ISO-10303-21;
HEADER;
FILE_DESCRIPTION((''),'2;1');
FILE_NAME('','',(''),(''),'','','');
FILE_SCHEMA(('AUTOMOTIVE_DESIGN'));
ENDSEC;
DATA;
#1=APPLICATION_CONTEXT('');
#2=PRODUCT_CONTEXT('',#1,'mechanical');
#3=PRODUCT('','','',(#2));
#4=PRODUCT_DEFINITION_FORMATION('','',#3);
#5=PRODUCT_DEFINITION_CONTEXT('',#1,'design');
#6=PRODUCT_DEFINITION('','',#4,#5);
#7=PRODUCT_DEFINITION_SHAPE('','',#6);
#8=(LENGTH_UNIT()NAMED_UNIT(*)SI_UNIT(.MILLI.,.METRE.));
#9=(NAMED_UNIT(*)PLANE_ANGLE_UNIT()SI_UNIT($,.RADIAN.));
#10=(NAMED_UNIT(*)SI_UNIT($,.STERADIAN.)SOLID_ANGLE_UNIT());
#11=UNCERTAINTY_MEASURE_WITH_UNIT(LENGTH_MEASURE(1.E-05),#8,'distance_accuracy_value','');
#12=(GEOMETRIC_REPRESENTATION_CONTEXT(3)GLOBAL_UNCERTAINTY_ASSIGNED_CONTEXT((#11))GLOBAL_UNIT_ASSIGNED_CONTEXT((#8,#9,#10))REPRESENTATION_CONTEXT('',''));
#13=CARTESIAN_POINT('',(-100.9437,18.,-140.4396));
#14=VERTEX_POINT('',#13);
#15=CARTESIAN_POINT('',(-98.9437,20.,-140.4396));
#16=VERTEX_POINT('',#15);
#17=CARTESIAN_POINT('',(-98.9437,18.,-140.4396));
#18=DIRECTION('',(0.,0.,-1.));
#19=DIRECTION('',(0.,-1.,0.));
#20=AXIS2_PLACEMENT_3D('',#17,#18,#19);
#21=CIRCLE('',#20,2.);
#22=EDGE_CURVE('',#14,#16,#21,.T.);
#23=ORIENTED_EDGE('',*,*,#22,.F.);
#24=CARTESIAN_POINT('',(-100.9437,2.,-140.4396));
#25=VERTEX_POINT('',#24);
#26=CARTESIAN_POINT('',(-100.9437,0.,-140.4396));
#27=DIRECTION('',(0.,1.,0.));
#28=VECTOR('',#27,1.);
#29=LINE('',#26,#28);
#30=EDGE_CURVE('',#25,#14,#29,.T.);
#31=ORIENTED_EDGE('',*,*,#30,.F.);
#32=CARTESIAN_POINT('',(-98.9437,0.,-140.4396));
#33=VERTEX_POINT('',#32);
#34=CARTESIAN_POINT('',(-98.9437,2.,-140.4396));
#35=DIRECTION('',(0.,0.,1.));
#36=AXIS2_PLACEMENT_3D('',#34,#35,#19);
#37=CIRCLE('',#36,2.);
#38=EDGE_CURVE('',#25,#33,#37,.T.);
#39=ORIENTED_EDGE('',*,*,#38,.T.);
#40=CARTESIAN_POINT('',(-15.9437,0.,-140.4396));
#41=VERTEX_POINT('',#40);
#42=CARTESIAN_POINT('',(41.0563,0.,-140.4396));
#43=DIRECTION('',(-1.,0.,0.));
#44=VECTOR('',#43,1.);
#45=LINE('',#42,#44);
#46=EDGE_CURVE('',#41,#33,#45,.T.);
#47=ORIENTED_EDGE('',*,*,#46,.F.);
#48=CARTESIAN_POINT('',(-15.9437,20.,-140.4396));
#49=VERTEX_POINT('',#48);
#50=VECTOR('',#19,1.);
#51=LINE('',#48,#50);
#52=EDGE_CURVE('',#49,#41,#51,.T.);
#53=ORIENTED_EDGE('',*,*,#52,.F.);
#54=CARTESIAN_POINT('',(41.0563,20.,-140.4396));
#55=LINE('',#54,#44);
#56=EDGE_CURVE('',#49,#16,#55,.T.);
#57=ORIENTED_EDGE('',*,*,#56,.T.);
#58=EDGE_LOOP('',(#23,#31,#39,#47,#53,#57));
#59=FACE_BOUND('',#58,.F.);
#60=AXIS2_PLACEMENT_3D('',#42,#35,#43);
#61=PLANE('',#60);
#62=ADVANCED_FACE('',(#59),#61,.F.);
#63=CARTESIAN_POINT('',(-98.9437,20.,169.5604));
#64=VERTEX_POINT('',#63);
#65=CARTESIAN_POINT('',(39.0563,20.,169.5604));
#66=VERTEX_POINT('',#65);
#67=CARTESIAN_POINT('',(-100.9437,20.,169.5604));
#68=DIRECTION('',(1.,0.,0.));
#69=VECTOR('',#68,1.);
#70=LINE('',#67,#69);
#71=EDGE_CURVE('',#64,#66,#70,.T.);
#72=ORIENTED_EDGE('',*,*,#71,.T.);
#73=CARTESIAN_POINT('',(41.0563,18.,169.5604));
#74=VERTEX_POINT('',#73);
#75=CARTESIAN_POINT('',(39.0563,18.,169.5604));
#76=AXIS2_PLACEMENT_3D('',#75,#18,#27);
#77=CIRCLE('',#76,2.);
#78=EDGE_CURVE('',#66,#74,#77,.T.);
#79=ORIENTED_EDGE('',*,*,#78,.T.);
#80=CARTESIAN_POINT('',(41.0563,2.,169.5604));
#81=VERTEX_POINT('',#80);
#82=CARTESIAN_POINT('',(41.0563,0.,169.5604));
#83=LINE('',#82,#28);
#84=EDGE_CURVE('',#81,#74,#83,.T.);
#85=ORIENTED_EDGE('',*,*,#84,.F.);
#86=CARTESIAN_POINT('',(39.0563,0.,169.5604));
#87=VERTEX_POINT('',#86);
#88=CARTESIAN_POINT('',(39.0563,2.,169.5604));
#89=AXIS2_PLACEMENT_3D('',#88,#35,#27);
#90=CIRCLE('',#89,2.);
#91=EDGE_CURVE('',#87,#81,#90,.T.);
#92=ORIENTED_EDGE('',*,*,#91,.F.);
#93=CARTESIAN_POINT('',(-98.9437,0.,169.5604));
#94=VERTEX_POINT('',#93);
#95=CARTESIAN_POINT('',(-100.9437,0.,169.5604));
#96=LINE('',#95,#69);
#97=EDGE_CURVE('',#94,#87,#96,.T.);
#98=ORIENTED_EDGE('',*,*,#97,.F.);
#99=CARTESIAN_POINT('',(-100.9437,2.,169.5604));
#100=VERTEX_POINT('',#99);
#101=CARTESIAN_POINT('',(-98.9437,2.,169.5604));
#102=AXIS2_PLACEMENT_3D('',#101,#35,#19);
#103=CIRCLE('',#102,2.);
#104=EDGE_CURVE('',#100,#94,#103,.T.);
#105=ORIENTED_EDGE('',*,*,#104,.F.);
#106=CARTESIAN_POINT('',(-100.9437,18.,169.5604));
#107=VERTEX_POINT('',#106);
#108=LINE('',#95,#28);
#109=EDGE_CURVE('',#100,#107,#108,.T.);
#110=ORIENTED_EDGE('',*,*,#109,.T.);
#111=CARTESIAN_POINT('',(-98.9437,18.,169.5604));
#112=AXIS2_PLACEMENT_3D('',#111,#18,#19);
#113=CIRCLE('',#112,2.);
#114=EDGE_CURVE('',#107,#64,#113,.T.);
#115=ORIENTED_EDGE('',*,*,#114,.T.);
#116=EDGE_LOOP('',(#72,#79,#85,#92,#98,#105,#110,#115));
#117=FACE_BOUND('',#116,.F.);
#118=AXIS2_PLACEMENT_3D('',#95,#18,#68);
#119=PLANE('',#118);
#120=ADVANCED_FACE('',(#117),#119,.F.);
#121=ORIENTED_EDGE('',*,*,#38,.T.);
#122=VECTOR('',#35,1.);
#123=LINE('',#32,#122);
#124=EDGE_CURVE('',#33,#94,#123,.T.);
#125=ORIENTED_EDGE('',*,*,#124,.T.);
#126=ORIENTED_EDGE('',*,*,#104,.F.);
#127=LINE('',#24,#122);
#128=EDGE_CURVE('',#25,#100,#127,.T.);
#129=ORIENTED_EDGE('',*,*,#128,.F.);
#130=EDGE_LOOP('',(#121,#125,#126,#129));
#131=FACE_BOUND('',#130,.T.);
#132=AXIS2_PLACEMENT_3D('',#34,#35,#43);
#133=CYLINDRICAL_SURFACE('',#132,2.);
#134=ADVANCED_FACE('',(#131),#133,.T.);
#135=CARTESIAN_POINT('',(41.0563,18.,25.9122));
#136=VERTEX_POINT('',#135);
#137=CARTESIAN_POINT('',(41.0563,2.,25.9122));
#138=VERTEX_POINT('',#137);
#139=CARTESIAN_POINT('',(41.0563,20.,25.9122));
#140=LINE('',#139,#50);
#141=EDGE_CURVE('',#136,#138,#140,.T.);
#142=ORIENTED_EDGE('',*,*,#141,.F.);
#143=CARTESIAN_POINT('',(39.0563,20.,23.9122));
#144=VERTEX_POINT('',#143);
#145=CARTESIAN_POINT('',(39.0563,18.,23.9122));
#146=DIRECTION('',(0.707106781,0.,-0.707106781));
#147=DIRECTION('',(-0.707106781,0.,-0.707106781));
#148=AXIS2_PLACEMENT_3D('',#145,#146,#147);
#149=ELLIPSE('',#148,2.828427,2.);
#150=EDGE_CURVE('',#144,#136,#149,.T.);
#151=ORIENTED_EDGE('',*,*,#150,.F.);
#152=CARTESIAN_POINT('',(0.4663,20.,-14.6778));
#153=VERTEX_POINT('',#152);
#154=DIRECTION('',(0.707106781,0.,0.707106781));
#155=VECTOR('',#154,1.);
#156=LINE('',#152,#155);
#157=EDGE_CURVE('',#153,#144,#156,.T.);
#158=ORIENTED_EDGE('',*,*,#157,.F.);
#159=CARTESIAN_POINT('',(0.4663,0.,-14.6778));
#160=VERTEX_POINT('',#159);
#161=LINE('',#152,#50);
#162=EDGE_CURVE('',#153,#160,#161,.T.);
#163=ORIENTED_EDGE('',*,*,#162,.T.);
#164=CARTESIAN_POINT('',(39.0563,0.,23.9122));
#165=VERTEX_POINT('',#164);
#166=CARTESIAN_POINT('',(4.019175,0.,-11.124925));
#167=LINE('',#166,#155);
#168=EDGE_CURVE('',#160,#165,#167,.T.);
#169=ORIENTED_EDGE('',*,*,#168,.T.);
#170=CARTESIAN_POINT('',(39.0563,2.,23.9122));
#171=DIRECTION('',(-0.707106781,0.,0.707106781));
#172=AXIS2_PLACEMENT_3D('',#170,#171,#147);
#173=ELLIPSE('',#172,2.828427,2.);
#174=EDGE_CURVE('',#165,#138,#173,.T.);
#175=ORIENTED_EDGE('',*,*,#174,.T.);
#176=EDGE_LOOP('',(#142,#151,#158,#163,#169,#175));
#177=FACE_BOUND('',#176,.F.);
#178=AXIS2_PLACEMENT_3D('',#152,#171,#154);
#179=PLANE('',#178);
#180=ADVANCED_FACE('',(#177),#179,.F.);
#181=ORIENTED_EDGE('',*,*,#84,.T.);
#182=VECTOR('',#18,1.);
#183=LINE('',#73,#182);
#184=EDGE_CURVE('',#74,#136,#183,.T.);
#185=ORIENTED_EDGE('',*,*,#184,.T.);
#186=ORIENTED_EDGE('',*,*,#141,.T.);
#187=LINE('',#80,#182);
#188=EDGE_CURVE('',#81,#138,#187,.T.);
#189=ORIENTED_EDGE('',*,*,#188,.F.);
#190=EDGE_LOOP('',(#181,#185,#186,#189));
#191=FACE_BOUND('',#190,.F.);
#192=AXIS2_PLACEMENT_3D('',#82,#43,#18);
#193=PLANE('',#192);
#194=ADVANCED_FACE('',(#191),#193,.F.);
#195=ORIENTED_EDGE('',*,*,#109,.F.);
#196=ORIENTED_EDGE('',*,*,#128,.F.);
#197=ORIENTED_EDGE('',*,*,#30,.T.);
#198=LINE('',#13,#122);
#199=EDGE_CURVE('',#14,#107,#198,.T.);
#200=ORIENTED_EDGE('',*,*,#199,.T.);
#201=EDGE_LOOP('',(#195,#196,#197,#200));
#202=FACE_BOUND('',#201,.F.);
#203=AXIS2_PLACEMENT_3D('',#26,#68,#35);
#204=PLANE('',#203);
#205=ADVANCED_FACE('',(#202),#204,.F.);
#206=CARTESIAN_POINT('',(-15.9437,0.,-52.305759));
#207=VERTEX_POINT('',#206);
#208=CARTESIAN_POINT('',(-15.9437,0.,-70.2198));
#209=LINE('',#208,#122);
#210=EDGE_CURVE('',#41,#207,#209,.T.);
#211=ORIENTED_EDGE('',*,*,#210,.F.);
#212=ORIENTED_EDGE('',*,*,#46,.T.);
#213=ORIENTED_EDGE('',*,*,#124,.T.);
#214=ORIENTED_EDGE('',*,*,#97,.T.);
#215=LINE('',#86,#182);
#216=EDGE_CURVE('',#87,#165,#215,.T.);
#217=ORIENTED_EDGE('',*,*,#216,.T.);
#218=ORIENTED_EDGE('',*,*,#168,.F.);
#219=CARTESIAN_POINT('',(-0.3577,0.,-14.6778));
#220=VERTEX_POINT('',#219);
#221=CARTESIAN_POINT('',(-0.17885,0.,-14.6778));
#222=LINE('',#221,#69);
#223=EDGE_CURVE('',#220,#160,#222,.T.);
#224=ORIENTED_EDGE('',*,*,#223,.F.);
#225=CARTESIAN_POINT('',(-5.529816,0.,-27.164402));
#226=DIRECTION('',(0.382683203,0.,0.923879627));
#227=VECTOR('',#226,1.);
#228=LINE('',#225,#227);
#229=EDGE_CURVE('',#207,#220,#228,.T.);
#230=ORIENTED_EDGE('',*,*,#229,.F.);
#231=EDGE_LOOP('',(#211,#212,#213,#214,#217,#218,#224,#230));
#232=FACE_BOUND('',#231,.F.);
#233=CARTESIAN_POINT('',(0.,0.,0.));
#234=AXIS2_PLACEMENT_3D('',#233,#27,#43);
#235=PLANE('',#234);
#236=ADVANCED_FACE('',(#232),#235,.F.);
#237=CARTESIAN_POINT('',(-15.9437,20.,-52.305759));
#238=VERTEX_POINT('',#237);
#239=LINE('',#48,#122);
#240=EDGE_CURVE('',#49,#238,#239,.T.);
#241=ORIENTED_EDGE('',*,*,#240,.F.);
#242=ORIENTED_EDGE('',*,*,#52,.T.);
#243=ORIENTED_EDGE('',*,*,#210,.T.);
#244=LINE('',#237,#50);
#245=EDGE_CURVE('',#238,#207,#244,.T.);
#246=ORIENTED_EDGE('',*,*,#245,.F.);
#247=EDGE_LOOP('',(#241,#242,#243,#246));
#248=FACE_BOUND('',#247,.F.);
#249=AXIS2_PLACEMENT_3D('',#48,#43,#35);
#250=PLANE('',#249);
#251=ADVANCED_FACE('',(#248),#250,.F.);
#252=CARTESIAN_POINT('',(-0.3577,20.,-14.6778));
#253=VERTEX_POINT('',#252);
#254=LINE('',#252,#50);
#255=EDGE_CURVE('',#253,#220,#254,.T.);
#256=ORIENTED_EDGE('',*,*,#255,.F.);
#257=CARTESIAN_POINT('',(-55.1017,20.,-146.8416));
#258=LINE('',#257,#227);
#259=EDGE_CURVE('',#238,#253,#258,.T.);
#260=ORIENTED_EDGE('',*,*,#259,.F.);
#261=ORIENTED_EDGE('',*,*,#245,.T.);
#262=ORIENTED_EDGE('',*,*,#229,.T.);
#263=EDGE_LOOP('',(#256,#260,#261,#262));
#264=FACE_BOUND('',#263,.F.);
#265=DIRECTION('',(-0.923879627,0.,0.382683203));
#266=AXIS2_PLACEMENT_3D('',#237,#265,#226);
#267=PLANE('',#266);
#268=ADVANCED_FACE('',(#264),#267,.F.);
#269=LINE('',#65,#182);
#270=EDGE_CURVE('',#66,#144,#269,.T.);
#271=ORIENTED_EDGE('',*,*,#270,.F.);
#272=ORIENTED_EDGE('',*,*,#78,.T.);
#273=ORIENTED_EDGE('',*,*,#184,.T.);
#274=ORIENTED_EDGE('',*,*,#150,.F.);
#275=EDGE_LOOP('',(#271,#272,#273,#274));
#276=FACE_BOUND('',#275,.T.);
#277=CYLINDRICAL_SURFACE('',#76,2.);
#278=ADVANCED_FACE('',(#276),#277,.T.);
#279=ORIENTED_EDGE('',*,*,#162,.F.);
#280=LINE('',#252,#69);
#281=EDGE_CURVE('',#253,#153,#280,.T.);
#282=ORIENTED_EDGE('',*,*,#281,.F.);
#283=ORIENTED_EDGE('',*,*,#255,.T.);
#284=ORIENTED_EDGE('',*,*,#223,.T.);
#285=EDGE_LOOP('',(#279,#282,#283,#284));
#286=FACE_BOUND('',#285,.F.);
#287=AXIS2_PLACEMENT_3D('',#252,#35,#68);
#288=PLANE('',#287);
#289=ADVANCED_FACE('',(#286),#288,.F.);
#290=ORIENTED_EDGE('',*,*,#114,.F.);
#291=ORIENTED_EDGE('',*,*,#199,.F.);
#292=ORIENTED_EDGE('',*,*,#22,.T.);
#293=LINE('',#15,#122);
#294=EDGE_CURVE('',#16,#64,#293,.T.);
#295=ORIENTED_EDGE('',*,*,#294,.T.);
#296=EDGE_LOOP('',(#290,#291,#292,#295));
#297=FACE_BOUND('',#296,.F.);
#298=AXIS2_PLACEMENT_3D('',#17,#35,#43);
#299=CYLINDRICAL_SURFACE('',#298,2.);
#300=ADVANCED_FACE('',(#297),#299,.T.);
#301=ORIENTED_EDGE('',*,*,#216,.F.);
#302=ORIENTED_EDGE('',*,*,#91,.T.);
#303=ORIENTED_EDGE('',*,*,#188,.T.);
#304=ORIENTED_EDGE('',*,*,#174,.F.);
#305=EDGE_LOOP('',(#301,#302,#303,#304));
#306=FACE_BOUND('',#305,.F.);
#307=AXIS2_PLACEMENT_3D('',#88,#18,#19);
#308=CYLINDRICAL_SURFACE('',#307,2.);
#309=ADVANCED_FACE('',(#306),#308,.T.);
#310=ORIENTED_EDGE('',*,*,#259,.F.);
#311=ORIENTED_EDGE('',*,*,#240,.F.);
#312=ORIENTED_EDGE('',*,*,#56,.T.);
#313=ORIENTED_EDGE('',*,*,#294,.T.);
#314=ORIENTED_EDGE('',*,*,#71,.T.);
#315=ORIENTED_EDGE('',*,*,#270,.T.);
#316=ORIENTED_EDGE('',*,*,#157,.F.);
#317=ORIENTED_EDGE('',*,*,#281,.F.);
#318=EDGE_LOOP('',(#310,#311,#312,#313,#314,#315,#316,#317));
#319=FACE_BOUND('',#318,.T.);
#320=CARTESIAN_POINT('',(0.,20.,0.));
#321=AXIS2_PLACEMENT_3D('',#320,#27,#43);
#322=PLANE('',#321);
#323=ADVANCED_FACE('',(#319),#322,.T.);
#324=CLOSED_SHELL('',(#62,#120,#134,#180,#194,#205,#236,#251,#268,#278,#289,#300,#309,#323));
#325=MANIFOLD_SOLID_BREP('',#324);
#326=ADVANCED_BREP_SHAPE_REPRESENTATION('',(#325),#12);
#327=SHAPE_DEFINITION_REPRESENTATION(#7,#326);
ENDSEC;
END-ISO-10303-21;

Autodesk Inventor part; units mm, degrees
ref_plane "YZ Plane" through (0, 0, 0) normal (1, 0, 0) x (0, 1, 0)
ref_plane "XZ Plane" through (0, 0, 0) normal (0, 1, 0) x (-1, 0, 0)
ref_plane "XY Plane" through (0, 0, 0) normal (0, 0, 1) x (1, 0, 0)
sketch "Skizze1" plane through (0, 0, 0) normal (0, 1, 0) x (-1, 0, 0)
  line L0 (100.9437, 169.5604) -> (-41.0563, 169.5604)
  line L1 (-41.0563, 169.5604) -> (-41.0563, -140.4396)
  line L2 (-41.0563, -140.4396) -> (100.9437, -140.4396)
  line L3 (100.9437, -140.4396) -> (100.9437, 169.5604)
  point P0 (0, 0)
  dimension "d0" = 142
  dimension "d1" = 310
extrude "Extrusion1" add sketch "Skizze1" along normal blind 20
sketch "Skizze3" plane through (0, 20, 0) normal (0, 1, 0) x (1, 0, 0)
  line L0 (41.0563, -169.5604) -> (41.0563, 140.4396) projected
  line L1 (-100.9437, -169.5604) -> (41.0563, -169.5604) projected
  line L2 (41.0563, 140.4396) -> (-15.9437, 140.4396)
  line L3 (-15.9437, 140.4396) -> (-15.9437, -169.5604)
  line L4 (-15.9437, -169.5604) -> (41.0563, -169.5604)
  line L5 (41.0563, -169.5604) -> (41.0563, 140.4396)
  line L6 (-100.9437, 140.4396) -> (-100.9437, -169.5604) projected
  line L7 (-55.1017, 146.8416) -> (-0.3577, 14.6778)
  line L8 (0.4663, 14.6778) -> (101.62, -86.4759)
  line L9 (-0.3577, 14.6778) -> (0.4663, 14.6778)
  point P0 (0, 0)
  point P1 (-15.9437, 52.3058)
  point P2 (41.0563, -25.9122)
  dimension "d66" = 85
  dimension "d69" = 157.5
  dimension "d70" = 316.402
  dimension "d71" = 45.842
  dimension "d72" = 143.053
  dimension "d74" = 143.053
  dimension "d75" = 157.5
  dimension "d76" = 0
  dimension "d77" = 0.824
extrude "Extrusion4" cut sketch "Skizze3" against normal through all contours L8 L9 L7 L3 L2 L0
fillet "Rundung1" radius 2 4 edges at (-100.9437, 20, 14.5604) (-100.9437, 0, 14.5604) (41.0563, 20, 97.7363) (41.0563, 0, 97.7363)
properties part number "VerstaerkungHintenLinks"
